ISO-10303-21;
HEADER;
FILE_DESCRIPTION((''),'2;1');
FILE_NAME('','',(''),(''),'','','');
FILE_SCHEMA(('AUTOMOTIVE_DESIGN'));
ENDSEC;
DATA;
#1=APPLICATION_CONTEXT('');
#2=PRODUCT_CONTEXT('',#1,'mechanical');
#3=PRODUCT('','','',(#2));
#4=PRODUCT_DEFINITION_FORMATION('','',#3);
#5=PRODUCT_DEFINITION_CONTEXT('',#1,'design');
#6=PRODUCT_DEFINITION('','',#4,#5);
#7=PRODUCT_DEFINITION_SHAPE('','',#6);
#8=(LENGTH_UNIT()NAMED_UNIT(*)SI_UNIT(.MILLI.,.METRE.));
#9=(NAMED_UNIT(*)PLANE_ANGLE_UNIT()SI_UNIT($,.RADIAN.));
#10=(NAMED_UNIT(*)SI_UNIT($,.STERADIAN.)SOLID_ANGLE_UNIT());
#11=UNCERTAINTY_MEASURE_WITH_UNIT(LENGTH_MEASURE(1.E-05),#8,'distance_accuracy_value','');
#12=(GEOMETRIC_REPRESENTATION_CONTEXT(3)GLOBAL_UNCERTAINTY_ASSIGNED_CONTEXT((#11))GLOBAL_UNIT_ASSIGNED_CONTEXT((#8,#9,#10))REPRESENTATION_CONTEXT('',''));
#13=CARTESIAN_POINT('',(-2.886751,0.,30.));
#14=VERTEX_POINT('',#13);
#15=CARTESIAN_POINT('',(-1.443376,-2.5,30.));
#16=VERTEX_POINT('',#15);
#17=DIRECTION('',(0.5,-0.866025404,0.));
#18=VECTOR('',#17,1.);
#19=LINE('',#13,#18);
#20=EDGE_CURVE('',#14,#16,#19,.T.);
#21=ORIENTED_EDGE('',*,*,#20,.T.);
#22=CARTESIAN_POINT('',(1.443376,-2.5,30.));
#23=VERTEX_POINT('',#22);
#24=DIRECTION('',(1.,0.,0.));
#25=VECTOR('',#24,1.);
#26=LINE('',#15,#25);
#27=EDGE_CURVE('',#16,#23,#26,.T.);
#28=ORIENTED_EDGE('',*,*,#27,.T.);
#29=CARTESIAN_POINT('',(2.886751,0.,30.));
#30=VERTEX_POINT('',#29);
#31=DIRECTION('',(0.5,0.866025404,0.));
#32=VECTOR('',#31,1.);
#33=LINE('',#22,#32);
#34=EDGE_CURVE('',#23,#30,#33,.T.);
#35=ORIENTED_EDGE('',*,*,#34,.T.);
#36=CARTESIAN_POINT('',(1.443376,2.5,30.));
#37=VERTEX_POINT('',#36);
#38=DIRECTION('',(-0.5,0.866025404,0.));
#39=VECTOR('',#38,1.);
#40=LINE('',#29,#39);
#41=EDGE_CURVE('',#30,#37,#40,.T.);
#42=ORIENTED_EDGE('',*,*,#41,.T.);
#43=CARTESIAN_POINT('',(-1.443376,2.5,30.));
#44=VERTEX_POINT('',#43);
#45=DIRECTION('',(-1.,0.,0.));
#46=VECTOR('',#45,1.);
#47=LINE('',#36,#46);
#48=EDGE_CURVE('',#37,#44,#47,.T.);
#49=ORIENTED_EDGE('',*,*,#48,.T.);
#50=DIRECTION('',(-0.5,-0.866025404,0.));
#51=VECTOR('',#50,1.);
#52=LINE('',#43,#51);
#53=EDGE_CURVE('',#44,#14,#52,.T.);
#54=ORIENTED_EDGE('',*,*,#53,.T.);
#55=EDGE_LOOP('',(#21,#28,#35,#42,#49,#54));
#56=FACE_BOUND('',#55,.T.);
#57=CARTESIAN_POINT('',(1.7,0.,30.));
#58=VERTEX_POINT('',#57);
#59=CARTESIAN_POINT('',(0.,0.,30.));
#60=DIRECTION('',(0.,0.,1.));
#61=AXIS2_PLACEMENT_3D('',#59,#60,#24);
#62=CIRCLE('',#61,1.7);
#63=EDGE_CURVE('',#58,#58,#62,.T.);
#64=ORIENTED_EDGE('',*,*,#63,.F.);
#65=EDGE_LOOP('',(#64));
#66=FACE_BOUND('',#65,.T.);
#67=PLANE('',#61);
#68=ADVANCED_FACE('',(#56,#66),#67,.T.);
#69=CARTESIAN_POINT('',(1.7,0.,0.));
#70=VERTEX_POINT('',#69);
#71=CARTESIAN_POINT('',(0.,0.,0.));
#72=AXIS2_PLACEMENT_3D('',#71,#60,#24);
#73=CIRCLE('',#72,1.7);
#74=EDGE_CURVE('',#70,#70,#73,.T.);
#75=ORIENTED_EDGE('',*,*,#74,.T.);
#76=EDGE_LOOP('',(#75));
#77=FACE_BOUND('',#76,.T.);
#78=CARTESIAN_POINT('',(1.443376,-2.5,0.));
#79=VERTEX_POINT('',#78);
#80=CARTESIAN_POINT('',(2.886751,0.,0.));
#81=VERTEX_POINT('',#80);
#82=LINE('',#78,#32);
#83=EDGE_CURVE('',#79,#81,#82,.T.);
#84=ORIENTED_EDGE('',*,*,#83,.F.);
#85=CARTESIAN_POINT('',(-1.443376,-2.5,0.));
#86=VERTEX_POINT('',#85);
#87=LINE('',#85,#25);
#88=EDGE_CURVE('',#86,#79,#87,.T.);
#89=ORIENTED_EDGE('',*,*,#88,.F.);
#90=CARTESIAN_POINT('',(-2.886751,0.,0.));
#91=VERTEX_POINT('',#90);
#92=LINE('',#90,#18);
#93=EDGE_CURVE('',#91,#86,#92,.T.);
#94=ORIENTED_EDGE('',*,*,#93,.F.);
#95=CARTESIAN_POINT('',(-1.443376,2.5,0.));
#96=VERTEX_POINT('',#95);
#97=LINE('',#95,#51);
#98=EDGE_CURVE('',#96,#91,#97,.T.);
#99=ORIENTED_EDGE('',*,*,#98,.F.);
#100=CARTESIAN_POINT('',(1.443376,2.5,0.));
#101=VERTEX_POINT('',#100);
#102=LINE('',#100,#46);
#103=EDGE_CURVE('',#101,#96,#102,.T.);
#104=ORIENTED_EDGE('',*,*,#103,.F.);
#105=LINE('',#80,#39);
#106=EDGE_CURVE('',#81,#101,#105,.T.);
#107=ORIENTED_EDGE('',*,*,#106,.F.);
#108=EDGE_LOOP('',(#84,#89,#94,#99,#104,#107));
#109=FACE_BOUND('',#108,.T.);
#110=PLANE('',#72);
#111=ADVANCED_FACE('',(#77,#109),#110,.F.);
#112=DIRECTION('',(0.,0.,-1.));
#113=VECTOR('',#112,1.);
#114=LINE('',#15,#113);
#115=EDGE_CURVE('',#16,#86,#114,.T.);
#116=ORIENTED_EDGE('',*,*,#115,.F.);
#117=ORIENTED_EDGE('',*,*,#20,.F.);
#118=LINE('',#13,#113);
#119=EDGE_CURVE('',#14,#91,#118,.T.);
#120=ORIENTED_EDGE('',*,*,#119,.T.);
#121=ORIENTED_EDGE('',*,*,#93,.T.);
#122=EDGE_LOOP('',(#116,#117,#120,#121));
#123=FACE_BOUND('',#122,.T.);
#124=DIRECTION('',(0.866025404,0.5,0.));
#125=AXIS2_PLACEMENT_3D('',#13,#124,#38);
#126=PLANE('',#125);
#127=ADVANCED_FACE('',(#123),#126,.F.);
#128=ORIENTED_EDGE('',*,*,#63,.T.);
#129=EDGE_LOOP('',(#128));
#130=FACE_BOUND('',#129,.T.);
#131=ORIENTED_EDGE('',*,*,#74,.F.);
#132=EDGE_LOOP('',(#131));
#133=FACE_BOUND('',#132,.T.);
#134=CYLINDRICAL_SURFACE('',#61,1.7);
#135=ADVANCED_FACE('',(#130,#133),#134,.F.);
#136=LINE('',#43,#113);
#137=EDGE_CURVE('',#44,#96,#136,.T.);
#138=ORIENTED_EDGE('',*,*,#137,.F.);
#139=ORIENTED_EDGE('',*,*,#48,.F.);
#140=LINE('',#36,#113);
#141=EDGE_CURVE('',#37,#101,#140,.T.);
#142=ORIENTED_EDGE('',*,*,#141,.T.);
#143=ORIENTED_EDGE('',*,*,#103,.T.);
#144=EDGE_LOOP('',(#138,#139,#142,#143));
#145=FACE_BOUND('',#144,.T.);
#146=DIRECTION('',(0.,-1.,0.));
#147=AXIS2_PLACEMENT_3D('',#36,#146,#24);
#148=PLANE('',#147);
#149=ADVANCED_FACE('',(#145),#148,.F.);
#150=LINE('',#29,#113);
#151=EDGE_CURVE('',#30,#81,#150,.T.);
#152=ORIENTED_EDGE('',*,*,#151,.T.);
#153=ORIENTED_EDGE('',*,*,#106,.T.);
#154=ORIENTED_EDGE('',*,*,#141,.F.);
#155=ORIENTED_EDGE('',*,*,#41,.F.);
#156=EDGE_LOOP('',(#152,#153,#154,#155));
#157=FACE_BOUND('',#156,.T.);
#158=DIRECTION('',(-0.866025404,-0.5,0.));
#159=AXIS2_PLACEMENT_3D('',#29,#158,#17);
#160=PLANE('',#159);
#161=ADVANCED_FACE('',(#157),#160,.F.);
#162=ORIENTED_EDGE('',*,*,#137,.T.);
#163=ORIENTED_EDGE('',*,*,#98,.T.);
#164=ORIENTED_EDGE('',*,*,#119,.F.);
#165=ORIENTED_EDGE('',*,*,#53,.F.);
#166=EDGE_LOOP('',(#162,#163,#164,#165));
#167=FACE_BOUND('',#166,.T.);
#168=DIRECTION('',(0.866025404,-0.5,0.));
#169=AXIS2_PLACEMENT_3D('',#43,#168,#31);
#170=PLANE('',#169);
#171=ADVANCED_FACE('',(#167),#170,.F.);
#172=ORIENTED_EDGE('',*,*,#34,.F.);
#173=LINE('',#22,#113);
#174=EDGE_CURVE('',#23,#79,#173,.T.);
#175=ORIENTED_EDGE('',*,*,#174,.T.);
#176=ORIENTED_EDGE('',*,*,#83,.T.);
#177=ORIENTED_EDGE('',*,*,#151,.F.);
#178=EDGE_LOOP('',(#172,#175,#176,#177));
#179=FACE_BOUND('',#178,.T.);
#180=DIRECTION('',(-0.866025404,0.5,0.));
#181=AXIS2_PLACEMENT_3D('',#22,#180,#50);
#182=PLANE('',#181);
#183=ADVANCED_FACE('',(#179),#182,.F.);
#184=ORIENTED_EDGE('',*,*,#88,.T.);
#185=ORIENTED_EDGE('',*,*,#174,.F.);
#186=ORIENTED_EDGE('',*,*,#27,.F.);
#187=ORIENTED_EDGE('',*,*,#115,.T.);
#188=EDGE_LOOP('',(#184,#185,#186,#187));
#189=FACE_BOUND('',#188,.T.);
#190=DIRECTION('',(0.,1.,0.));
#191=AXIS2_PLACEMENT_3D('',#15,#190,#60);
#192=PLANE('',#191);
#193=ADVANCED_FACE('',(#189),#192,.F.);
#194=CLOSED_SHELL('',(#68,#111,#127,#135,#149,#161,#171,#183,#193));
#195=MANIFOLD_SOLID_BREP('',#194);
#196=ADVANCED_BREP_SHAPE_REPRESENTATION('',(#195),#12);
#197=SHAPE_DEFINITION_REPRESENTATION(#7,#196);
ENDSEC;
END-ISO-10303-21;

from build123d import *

# Parameters (mm, degrees)
EXTRUDE_1_DEPTH              = 30
HOLE_WIZARD_M3_2_D           = 3.4
HOLE_WIZARD_M3_2_ON_FACE_2_D = 3.4


with BuildPart() as part:
    # 스케치1 → 보스-돌출1 (new body)
    with BuildSketch(Plane.XY):
        Polygon((1.443375673, -2.5), (2.886751346, 0), (1.443375673, 2.5), (-1.443375673, 2.5), (-2.886751346, 0), (-1.443375673, -2.5), align=None)
    extrude(amount=EXTRUDE_1_DEPTH)

    # M3 여유 구멍2 (through all)
    with Locations(Plane(origin=(0, 0, 0), x_dir=(-1, 0, 0), z_dir=(0, 0, -1))):
        with Locations((0, 0)):
            Hole(HOLE_WIZARD_M3_2_D / 2)

    # M3 여유 구멍2 on face 2 (through all)
    with Locations(Plane.XY.offset(30)):
        with Locations((0, 0)):
            Hole(HOLE_WIZARD_M3_2_ON_FACE_2_D / 2)


solid = part.part
